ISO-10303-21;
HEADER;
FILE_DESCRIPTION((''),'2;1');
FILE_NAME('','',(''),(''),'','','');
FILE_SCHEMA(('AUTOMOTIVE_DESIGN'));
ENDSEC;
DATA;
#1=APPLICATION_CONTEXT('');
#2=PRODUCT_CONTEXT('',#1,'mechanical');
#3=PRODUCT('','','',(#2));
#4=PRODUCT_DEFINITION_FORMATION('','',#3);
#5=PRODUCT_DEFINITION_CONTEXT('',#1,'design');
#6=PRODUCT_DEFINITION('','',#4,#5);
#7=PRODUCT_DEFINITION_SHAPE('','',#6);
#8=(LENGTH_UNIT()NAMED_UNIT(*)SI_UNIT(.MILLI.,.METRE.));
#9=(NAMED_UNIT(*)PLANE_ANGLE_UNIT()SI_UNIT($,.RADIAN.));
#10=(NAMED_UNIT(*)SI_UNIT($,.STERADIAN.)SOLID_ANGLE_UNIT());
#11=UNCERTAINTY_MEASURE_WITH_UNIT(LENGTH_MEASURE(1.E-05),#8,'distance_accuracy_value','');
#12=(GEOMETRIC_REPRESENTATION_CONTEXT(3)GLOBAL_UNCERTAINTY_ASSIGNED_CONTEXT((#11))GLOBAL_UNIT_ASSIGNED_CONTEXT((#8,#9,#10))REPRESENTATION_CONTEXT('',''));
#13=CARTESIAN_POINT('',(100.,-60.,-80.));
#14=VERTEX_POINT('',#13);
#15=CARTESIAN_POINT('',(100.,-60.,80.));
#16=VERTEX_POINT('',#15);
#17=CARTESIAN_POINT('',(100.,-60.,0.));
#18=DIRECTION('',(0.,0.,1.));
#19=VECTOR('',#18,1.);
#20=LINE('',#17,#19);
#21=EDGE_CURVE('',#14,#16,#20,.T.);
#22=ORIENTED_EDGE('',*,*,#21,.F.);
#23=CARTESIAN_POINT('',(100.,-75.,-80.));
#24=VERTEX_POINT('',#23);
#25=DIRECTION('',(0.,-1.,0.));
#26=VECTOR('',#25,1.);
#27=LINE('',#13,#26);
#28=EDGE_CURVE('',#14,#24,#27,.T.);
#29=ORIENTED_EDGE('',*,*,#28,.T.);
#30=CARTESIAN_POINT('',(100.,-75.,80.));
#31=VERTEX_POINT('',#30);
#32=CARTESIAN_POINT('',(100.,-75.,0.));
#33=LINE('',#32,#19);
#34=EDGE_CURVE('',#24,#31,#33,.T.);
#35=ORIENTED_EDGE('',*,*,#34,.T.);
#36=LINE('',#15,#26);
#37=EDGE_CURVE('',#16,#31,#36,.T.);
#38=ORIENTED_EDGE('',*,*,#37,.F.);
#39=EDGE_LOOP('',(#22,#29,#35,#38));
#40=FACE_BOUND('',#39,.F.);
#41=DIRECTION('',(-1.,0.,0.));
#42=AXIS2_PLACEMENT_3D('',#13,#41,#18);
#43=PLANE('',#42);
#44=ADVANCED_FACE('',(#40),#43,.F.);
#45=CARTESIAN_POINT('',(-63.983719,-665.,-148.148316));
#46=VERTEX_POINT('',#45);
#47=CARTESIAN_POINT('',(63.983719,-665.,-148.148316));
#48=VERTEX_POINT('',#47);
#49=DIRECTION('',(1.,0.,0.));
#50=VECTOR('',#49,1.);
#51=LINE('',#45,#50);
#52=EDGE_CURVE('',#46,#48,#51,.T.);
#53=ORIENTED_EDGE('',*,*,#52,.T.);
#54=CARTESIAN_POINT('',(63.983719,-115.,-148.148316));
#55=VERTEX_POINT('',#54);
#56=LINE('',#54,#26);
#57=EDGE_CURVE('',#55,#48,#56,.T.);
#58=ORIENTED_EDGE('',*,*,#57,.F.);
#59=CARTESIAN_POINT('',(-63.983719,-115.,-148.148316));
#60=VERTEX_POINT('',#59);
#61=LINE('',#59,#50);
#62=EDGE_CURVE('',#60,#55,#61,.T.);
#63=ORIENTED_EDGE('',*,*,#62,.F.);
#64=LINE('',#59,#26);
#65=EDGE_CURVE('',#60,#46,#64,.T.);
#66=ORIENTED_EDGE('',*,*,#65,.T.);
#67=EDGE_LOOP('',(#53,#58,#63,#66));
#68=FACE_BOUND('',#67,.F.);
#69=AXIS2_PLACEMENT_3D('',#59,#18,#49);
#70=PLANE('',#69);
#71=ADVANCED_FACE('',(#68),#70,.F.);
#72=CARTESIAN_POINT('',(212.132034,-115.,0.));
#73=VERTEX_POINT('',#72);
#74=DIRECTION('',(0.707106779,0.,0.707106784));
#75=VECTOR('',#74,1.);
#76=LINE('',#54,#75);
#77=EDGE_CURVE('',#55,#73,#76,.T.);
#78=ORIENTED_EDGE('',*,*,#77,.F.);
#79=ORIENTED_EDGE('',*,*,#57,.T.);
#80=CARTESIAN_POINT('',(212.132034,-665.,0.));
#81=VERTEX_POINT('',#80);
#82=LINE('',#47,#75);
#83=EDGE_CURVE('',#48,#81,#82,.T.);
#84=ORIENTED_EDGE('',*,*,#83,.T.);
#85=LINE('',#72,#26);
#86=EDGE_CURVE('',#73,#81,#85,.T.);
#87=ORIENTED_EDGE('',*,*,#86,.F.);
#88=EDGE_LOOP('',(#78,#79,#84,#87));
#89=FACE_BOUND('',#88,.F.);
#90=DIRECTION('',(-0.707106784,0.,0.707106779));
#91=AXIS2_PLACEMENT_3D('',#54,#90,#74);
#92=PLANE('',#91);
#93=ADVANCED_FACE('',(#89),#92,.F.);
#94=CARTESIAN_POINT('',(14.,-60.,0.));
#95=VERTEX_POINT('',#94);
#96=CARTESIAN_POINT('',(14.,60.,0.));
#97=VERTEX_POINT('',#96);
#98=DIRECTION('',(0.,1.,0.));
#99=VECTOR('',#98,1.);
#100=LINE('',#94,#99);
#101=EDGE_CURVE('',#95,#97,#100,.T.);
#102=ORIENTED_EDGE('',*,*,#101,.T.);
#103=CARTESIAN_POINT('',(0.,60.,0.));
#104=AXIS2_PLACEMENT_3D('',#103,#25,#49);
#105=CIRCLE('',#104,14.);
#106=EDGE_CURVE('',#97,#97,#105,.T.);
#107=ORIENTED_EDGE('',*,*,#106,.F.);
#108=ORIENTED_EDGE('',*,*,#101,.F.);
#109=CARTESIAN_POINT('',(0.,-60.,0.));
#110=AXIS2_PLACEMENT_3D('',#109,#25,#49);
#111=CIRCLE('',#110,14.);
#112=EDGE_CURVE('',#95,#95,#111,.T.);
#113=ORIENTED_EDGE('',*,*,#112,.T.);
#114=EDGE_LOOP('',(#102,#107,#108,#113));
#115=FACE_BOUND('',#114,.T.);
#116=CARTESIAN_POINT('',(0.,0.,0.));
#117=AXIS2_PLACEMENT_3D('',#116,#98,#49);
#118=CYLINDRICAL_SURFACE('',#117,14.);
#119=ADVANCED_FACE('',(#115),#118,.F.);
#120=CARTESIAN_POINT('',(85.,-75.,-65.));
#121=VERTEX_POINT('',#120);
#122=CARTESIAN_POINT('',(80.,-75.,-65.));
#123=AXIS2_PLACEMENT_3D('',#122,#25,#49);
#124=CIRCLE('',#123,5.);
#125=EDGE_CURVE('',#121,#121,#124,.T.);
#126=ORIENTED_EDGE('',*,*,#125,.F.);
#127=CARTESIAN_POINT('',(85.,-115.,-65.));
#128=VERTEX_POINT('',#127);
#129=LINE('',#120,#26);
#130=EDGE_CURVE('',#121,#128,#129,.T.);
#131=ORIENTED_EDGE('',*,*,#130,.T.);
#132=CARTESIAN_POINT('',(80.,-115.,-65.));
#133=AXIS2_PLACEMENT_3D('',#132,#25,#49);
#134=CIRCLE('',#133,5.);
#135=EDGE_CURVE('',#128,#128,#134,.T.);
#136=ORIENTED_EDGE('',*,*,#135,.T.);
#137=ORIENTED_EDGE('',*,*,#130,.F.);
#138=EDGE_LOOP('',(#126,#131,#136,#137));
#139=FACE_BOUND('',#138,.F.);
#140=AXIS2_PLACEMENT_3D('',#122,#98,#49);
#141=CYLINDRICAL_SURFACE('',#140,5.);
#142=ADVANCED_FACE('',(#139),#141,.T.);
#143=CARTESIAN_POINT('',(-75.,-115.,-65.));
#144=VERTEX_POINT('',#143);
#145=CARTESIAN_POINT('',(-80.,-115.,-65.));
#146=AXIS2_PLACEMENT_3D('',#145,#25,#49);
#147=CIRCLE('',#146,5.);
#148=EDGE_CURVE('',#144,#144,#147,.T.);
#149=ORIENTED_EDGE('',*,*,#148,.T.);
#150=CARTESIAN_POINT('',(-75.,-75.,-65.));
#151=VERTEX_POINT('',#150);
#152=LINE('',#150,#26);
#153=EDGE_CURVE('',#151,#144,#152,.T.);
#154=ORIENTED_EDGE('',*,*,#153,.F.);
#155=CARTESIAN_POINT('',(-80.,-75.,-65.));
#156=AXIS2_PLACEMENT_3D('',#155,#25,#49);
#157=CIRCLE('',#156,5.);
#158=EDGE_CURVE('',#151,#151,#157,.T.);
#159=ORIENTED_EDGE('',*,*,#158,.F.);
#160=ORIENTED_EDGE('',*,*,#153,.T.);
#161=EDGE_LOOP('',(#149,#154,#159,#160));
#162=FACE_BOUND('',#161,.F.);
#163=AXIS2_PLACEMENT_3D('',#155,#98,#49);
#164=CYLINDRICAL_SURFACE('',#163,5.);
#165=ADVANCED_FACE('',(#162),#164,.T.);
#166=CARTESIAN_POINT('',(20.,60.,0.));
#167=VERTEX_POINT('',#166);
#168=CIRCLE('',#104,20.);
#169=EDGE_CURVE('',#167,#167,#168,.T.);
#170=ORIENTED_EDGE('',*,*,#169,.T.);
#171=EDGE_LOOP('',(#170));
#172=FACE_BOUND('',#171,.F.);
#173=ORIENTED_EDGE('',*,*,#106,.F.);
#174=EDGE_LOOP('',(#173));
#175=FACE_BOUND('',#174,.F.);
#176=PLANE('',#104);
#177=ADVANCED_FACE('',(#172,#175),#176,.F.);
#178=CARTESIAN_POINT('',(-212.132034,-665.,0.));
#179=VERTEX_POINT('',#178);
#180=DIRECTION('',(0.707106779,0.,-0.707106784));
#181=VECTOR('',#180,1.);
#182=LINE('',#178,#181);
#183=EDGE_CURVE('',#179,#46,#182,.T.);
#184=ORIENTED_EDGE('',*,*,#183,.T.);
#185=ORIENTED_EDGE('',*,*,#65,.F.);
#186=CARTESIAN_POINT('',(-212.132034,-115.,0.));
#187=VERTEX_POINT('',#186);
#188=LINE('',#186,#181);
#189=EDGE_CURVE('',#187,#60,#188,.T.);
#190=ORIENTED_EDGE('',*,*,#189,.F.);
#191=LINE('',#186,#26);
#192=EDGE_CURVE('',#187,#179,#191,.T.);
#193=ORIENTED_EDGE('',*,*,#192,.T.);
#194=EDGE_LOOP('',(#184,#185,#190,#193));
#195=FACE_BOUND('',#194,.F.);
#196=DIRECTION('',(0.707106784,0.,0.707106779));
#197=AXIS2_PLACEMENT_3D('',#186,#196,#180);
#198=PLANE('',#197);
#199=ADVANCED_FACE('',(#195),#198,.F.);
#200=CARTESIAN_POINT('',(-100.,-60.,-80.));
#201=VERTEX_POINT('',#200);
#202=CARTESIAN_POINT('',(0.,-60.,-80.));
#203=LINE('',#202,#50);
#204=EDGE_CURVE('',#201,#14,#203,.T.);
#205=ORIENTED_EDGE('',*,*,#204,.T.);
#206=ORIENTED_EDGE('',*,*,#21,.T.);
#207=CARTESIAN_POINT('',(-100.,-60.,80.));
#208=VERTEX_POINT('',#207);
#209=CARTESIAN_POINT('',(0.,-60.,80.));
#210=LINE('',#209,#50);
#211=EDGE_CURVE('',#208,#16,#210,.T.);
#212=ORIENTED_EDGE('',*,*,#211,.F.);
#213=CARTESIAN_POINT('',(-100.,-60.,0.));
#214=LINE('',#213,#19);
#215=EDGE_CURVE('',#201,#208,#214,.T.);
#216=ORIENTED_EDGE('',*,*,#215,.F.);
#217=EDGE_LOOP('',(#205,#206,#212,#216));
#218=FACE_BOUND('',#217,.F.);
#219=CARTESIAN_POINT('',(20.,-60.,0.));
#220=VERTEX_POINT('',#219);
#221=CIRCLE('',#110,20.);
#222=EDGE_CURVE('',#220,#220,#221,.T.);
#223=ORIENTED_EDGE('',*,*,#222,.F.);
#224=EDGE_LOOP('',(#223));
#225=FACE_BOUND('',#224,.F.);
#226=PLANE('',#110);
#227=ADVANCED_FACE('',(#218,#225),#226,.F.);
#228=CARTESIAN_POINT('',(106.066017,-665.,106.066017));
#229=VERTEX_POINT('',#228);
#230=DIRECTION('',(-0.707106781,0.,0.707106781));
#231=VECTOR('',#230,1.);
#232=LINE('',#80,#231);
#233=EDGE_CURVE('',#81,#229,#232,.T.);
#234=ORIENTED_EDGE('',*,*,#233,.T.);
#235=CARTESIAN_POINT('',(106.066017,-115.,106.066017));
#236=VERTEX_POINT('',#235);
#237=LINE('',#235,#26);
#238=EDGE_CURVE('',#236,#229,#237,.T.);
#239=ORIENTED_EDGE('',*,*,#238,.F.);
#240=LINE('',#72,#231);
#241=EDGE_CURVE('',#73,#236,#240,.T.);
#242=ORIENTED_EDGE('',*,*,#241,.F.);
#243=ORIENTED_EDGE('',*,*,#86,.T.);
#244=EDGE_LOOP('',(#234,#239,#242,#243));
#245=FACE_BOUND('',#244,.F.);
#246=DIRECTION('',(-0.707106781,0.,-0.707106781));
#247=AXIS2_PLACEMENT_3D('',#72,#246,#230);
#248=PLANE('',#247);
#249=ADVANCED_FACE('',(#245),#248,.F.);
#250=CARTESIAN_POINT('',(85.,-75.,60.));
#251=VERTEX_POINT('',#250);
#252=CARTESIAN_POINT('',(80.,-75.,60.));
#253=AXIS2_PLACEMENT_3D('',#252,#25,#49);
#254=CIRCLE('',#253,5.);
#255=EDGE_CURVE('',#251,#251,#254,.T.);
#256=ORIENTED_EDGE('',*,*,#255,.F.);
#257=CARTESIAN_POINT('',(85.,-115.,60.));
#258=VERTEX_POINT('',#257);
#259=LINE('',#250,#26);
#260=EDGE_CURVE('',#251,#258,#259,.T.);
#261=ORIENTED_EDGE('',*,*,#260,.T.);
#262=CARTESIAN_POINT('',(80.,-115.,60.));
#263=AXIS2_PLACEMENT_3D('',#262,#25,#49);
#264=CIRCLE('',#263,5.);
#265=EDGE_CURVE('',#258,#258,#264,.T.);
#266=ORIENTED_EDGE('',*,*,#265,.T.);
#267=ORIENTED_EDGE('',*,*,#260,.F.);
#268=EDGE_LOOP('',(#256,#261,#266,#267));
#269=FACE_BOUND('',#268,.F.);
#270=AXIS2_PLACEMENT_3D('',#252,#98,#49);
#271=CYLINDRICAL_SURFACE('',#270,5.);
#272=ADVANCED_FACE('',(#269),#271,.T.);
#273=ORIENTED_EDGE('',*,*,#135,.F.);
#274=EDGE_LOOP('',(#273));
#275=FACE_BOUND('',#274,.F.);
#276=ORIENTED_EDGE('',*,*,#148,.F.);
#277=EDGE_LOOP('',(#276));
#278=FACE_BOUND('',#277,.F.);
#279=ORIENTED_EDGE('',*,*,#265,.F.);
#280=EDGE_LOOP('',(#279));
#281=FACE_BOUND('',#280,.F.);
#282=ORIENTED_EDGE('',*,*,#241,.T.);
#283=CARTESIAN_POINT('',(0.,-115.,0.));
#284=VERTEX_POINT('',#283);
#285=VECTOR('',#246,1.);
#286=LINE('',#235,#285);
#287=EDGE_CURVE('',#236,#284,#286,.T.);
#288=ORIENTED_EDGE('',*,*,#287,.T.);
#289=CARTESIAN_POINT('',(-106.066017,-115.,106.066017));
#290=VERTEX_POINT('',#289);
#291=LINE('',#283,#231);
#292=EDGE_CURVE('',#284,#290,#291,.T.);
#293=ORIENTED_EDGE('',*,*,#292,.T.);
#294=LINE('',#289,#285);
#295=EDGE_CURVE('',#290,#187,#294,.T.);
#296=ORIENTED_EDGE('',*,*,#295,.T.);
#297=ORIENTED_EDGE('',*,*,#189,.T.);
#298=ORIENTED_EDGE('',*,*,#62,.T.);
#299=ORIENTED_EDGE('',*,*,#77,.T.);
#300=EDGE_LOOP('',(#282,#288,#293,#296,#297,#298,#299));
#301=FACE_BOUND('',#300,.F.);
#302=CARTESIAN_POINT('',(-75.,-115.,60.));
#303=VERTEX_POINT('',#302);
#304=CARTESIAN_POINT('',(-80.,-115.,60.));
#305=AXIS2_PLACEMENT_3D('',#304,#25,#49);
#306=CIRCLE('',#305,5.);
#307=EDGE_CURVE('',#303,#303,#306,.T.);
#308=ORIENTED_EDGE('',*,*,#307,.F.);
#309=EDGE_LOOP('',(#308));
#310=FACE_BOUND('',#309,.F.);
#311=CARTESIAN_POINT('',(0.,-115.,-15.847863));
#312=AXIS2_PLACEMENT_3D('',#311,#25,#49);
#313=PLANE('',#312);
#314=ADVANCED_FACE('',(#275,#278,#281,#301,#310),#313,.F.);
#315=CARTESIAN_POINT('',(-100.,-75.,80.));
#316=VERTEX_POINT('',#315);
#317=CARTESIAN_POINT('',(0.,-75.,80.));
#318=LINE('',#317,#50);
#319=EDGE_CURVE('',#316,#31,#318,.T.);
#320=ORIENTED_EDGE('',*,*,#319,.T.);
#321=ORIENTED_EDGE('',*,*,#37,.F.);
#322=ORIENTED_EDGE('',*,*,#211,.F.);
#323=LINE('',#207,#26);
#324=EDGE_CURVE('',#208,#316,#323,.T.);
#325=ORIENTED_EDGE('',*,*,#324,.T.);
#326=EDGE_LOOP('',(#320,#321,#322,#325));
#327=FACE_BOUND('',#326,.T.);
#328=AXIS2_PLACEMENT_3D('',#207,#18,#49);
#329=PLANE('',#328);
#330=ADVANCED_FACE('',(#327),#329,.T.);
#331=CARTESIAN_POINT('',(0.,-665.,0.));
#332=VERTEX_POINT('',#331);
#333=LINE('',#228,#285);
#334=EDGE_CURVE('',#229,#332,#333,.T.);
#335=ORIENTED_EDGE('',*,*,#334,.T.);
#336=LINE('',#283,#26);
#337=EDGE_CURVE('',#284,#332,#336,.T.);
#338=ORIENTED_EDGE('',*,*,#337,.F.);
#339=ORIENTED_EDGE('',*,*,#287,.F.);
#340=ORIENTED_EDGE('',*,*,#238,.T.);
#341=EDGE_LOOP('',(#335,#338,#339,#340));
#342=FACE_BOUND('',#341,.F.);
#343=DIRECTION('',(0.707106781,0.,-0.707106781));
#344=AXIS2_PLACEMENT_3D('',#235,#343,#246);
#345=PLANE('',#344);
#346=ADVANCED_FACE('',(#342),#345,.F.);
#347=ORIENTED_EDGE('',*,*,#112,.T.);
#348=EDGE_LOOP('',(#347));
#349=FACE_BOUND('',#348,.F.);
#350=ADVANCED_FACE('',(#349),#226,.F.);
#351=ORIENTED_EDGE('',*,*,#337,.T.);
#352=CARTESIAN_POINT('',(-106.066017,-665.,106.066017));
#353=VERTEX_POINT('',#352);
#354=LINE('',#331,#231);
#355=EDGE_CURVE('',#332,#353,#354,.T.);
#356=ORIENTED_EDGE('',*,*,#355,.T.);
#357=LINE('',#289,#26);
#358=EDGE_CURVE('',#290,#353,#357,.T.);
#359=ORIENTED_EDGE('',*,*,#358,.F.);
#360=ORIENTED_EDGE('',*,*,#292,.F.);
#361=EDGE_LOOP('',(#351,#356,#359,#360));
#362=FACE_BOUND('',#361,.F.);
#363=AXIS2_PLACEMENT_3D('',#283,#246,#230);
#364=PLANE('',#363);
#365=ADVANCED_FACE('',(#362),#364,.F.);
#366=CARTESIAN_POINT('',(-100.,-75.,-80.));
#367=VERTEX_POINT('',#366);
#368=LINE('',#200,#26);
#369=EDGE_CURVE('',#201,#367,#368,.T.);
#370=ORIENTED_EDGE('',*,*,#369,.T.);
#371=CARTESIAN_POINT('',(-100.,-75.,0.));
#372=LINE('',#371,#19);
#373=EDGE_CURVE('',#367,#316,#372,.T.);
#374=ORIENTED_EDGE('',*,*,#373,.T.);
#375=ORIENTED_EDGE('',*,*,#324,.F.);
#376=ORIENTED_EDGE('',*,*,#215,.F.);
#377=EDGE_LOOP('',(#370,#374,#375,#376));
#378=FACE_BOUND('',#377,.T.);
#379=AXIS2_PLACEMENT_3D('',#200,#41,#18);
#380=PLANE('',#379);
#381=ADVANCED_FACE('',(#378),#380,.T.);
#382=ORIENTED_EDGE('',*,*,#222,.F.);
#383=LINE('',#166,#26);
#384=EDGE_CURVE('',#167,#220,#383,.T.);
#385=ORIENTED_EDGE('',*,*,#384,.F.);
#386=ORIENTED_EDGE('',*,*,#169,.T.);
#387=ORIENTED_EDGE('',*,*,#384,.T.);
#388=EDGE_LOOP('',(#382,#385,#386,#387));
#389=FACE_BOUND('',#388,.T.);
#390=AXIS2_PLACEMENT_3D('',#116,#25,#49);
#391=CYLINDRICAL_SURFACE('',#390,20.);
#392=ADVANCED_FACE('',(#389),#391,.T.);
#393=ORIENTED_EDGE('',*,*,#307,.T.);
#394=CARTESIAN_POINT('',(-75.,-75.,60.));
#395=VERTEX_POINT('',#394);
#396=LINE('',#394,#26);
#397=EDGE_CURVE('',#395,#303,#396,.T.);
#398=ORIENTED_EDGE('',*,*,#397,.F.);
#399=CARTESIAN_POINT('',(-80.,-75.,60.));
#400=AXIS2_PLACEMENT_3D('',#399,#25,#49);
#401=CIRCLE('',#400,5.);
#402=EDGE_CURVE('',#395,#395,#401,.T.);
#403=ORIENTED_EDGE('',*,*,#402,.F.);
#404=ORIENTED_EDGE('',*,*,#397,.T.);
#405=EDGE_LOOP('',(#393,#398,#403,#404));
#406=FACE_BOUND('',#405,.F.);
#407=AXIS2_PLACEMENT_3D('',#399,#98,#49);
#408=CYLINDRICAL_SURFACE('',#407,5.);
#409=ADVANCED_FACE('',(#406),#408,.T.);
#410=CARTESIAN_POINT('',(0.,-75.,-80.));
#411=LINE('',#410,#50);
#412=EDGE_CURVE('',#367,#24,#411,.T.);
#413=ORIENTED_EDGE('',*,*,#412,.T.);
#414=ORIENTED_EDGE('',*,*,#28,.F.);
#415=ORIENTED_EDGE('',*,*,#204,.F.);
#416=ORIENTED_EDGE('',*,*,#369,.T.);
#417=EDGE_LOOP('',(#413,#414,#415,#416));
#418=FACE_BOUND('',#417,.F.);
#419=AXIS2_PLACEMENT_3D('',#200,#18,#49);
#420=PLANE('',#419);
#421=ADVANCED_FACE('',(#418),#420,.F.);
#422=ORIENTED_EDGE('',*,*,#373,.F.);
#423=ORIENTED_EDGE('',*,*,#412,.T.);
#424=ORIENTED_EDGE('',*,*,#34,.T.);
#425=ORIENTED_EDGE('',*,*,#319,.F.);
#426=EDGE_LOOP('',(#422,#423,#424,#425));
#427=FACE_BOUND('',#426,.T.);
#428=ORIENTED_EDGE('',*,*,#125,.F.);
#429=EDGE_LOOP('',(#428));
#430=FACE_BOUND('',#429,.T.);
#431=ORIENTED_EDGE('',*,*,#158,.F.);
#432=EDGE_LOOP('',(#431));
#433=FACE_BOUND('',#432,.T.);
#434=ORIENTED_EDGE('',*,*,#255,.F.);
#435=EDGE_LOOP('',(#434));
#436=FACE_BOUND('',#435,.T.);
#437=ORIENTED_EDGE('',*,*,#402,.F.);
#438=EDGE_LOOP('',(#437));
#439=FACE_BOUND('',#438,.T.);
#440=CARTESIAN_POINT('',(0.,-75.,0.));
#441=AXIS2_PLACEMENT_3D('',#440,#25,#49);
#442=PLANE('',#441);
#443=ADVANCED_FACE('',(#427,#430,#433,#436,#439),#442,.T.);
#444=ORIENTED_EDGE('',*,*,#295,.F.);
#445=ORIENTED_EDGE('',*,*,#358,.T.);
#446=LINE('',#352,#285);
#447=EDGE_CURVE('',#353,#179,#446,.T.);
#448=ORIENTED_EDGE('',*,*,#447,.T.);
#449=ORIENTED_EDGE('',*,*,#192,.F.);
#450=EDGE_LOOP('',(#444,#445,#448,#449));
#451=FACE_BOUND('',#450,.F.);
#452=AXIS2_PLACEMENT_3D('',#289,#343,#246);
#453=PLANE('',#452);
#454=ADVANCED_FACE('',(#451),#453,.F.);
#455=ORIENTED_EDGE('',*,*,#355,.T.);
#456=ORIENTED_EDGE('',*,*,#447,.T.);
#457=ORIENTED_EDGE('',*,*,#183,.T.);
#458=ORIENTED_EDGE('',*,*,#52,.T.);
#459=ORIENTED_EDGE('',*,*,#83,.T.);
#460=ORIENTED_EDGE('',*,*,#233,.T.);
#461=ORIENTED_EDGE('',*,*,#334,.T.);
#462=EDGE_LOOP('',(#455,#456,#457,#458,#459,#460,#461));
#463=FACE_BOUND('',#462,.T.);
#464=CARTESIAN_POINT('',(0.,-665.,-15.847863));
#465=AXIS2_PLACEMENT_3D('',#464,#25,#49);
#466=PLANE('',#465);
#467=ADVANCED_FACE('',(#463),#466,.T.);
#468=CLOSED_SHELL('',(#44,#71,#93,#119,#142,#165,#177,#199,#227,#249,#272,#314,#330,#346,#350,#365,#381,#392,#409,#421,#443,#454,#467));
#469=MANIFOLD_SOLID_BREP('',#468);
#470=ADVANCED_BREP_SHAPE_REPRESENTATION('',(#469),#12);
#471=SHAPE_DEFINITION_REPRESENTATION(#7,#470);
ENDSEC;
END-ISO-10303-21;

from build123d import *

# Parameters (mm, degrees)
F0_R     = 20
F0_R_2   = 14
F1_DEPTH = 60
F3_W     = 200
F3_H     = 160
F4_DEPTH = 15
F5_R     = 5
F6_DEPTH = 40
F8_DEPTH = 550


with BuildPart() as f1:
    # F0 (on Front) → F1 (new body, symmetric)
    with BuildSketch(Plane.XZ):
        Circle(F0_R)
        Circle(F0_R_2, mode=Mode.SUBTRACT)
    extrude(amount=F1_DEPTH, both=True)

    # F3 (on offset) → F4 (join)
    with BuildSketch(Plane.XZ.offset(60)):
        Rectangle(F3_W, F3_H)
    extrude(amount=F4_DEPTH)

    # F5 (on face) → F6 (join)
    with BuildSketch(Plane.XZ.offset(75)):
        with Locations((-80, 60)):
            Circle(F5_R)
        with Locations((-80, -65)):
            Circle(F5_R)
        with Locations((80, -65)):
            Circle(F5_R)
        with Locations((80, 60)):
            Circle(F5_R)
    extrude(amount=F6_DEPTH)

    # F7 (on face) → F8 (join)
    with BuildSketch(Plane.XZ.offset(115)):
        Polygon((0, 0), (-106.066017, 106.066017), (-212.132034, 0), (-63.983719, -148.148316), (63.983719, -148.148316), (212.132034, 0), (106.066017, 106.066017), align=None)
    extrude(amount=F8_DEPTH)


solid = f1.part
